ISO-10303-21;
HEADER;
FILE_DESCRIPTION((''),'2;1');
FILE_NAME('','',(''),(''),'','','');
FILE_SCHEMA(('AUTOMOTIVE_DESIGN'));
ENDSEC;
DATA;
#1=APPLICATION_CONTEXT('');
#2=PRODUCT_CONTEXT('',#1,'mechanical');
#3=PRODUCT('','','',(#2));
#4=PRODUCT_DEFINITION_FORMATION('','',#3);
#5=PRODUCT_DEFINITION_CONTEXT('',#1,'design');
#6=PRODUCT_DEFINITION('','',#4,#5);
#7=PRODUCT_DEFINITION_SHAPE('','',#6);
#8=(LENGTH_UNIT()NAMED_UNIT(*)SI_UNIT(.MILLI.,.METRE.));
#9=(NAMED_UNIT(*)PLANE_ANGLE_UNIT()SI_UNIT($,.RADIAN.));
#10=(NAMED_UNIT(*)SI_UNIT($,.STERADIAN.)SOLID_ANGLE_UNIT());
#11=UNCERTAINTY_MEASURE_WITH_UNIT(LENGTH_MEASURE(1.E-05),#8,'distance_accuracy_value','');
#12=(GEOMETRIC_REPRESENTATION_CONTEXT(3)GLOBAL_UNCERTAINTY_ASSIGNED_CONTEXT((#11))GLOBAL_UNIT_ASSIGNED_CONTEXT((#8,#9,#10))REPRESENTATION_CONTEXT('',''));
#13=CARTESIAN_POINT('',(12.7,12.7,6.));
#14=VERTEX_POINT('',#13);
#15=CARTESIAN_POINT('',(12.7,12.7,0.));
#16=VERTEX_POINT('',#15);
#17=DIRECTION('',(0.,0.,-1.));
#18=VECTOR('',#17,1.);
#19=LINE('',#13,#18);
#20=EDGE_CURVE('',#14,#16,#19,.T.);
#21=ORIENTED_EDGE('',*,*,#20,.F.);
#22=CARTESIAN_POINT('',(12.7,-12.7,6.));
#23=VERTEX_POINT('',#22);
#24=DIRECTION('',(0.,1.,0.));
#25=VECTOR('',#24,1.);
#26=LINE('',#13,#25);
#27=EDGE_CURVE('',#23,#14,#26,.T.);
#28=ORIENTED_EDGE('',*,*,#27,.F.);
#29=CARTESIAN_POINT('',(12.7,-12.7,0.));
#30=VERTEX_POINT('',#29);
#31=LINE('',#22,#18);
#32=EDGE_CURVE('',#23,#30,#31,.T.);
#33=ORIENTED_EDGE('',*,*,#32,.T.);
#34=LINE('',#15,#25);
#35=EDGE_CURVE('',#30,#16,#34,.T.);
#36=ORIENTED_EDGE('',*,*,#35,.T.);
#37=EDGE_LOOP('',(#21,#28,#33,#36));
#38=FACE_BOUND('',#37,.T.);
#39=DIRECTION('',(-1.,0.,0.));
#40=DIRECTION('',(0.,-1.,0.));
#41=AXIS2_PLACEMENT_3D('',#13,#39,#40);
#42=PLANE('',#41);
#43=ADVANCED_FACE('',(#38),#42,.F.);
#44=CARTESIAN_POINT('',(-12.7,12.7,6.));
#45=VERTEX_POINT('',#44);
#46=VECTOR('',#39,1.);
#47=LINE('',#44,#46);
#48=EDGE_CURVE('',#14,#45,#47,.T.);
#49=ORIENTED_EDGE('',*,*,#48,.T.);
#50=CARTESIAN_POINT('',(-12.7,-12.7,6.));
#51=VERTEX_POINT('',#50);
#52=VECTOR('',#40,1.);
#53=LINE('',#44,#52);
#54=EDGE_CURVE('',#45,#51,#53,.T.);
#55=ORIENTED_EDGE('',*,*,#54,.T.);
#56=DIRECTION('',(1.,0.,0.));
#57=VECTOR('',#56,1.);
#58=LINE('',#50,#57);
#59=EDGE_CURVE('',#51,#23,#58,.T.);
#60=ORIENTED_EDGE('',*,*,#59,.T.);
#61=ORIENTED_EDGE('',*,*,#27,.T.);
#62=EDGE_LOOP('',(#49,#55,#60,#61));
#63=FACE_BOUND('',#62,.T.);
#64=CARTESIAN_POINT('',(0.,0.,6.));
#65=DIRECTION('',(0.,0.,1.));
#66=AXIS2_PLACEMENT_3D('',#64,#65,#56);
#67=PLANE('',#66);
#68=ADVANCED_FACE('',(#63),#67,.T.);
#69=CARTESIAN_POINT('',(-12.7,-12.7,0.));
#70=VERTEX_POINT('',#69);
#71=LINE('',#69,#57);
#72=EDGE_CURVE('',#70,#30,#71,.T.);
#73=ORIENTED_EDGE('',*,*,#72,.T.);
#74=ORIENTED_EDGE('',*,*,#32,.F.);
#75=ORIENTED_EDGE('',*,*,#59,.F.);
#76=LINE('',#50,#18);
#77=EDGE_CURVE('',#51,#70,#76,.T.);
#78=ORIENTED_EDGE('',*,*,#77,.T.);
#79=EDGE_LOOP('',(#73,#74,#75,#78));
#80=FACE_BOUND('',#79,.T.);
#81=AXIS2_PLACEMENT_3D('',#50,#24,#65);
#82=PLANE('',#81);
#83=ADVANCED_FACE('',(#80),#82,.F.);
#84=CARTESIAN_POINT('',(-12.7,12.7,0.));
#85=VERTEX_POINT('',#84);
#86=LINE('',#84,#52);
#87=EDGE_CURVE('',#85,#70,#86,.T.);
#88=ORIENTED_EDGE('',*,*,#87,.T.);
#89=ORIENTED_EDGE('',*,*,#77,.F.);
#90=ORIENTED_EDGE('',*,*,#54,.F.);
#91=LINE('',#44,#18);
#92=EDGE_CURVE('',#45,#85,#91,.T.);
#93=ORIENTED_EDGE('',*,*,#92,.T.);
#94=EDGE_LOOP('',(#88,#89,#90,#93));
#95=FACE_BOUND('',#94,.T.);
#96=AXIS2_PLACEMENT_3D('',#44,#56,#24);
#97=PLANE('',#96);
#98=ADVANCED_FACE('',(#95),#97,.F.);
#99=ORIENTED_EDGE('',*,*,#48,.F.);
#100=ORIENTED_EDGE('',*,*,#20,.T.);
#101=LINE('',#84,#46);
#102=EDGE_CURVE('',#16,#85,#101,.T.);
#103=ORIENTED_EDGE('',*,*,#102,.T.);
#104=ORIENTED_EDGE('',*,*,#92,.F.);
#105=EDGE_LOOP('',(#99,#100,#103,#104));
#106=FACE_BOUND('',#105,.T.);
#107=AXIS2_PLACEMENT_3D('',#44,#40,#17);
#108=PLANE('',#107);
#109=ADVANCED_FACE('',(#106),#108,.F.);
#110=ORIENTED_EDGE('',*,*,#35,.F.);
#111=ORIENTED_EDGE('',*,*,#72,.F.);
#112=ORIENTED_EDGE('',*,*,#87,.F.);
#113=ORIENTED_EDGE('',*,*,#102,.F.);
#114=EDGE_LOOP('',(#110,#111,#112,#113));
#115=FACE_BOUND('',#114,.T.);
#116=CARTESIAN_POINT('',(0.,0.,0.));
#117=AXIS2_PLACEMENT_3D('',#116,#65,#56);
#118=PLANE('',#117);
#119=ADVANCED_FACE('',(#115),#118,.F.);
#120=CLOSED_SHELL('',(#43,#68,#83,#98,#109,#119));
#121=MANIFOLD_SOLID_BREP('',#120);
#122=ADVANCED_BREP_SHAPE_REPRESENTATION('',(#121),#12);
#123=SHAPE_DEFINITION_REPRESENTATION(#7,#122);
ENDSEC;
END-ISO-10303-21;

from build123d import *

# Parameters (mm, degrees)
SKETCH1_W           = 25.4
SKETCH1_H           = 25.4
BOSS_EXTRUDE1_DEPTH = 6


with BuildPart() as part:
    # Sketch1 → Boss-Extrude1 (new body)
    with BuildSketch(Plane.XY):
        Rectangle(SKETCH1_W, SKETCH1_H)
    extrude(amount=BOSS_EXTRUDE1_DEPTH)


solid = part.part
